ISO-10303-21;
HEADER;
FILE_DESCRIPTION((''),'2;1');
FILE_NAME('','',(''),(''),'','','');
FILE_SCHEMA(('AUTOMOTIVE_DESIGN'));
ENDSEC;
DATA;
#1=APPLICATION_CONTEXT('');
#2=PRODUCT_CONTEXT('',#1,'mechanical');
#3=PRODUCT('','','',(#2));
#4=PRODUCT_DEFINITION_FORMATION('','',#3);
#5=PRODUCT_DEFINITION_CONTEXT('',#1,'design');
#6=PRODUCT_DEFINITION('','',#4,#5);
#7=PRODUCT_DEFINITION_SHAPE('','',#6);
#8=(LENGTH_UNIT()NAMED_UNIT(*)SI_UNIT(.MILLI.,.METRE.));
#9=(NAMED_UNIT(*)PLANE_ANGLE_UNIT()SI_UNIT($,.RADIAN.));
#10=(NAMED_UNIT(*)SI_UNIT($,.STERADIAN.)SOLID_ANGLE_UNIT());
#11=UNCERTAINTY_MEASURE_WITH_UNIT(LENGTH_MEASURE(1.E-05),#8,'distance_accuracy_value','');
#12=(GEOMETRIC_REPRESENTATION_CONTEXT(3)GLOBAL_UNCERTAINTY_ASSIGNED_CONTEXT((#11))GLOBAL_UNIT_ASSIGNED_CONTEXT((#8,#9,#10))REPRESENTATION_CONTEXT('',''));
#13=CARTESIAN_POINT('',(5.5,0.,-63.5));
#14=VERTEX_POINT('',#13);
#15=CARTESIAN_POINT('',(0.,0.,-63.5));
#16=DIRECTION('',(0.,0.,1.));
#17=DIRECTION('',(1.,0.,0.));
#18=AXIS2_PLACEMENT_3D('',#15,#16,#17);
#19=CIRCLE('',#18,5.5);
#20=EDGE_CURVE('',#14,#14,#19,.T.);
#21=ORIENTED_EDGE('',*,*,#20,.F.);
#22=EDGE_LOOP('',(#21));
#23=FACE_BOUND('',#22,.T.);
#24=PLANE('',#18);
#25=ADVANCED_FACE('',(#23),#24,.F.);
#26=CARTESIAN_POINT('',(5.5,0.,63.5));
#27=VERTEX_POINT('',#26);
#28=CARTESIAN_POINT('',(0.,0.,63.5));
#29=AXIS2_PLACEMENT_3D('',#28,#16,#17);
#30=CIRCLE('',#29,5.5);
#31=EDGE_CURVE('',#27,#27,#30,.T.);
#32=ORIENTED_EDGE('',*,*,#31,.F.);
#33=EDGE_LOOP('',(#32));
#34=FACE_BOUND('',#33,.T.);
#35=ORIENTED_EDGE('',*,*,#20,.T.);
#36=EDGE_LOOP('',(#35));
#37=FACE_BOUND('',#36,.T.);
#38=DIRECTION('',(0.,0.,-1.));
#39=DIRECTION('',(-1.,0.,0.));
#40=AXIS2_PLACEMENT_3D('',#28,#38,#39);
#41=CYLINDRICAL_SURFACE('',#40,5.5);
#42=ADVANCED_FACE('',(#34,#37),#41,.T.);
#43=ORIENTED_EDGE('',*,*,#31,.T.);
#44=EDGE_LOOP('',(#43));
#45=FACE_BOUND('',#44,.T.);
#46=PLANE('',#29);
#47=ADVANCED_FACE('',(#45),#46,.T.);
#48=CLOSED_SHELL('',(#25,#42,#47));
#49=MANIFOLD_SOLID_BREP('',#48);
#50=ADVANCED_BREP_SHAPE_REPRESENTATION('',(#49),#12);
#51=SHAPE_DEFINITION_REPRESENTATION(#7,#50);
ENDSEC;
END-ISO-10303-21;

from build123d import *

# Parameters (mm, degrees)
SKETCH1_R           = 5.5
BOSS_EXTRUDE1_DEPTH = 63.5


with BuildPart() as part:
    # Sketch1 → Boss-Extrude1 (new body, symmetric)
    with BuildSketch(Plane.XY):
        Circle(SKETCH1_R)
    extrude(amount=BOSS_EXTRUDE1_DEPTH, both=True)


solid = part.part
